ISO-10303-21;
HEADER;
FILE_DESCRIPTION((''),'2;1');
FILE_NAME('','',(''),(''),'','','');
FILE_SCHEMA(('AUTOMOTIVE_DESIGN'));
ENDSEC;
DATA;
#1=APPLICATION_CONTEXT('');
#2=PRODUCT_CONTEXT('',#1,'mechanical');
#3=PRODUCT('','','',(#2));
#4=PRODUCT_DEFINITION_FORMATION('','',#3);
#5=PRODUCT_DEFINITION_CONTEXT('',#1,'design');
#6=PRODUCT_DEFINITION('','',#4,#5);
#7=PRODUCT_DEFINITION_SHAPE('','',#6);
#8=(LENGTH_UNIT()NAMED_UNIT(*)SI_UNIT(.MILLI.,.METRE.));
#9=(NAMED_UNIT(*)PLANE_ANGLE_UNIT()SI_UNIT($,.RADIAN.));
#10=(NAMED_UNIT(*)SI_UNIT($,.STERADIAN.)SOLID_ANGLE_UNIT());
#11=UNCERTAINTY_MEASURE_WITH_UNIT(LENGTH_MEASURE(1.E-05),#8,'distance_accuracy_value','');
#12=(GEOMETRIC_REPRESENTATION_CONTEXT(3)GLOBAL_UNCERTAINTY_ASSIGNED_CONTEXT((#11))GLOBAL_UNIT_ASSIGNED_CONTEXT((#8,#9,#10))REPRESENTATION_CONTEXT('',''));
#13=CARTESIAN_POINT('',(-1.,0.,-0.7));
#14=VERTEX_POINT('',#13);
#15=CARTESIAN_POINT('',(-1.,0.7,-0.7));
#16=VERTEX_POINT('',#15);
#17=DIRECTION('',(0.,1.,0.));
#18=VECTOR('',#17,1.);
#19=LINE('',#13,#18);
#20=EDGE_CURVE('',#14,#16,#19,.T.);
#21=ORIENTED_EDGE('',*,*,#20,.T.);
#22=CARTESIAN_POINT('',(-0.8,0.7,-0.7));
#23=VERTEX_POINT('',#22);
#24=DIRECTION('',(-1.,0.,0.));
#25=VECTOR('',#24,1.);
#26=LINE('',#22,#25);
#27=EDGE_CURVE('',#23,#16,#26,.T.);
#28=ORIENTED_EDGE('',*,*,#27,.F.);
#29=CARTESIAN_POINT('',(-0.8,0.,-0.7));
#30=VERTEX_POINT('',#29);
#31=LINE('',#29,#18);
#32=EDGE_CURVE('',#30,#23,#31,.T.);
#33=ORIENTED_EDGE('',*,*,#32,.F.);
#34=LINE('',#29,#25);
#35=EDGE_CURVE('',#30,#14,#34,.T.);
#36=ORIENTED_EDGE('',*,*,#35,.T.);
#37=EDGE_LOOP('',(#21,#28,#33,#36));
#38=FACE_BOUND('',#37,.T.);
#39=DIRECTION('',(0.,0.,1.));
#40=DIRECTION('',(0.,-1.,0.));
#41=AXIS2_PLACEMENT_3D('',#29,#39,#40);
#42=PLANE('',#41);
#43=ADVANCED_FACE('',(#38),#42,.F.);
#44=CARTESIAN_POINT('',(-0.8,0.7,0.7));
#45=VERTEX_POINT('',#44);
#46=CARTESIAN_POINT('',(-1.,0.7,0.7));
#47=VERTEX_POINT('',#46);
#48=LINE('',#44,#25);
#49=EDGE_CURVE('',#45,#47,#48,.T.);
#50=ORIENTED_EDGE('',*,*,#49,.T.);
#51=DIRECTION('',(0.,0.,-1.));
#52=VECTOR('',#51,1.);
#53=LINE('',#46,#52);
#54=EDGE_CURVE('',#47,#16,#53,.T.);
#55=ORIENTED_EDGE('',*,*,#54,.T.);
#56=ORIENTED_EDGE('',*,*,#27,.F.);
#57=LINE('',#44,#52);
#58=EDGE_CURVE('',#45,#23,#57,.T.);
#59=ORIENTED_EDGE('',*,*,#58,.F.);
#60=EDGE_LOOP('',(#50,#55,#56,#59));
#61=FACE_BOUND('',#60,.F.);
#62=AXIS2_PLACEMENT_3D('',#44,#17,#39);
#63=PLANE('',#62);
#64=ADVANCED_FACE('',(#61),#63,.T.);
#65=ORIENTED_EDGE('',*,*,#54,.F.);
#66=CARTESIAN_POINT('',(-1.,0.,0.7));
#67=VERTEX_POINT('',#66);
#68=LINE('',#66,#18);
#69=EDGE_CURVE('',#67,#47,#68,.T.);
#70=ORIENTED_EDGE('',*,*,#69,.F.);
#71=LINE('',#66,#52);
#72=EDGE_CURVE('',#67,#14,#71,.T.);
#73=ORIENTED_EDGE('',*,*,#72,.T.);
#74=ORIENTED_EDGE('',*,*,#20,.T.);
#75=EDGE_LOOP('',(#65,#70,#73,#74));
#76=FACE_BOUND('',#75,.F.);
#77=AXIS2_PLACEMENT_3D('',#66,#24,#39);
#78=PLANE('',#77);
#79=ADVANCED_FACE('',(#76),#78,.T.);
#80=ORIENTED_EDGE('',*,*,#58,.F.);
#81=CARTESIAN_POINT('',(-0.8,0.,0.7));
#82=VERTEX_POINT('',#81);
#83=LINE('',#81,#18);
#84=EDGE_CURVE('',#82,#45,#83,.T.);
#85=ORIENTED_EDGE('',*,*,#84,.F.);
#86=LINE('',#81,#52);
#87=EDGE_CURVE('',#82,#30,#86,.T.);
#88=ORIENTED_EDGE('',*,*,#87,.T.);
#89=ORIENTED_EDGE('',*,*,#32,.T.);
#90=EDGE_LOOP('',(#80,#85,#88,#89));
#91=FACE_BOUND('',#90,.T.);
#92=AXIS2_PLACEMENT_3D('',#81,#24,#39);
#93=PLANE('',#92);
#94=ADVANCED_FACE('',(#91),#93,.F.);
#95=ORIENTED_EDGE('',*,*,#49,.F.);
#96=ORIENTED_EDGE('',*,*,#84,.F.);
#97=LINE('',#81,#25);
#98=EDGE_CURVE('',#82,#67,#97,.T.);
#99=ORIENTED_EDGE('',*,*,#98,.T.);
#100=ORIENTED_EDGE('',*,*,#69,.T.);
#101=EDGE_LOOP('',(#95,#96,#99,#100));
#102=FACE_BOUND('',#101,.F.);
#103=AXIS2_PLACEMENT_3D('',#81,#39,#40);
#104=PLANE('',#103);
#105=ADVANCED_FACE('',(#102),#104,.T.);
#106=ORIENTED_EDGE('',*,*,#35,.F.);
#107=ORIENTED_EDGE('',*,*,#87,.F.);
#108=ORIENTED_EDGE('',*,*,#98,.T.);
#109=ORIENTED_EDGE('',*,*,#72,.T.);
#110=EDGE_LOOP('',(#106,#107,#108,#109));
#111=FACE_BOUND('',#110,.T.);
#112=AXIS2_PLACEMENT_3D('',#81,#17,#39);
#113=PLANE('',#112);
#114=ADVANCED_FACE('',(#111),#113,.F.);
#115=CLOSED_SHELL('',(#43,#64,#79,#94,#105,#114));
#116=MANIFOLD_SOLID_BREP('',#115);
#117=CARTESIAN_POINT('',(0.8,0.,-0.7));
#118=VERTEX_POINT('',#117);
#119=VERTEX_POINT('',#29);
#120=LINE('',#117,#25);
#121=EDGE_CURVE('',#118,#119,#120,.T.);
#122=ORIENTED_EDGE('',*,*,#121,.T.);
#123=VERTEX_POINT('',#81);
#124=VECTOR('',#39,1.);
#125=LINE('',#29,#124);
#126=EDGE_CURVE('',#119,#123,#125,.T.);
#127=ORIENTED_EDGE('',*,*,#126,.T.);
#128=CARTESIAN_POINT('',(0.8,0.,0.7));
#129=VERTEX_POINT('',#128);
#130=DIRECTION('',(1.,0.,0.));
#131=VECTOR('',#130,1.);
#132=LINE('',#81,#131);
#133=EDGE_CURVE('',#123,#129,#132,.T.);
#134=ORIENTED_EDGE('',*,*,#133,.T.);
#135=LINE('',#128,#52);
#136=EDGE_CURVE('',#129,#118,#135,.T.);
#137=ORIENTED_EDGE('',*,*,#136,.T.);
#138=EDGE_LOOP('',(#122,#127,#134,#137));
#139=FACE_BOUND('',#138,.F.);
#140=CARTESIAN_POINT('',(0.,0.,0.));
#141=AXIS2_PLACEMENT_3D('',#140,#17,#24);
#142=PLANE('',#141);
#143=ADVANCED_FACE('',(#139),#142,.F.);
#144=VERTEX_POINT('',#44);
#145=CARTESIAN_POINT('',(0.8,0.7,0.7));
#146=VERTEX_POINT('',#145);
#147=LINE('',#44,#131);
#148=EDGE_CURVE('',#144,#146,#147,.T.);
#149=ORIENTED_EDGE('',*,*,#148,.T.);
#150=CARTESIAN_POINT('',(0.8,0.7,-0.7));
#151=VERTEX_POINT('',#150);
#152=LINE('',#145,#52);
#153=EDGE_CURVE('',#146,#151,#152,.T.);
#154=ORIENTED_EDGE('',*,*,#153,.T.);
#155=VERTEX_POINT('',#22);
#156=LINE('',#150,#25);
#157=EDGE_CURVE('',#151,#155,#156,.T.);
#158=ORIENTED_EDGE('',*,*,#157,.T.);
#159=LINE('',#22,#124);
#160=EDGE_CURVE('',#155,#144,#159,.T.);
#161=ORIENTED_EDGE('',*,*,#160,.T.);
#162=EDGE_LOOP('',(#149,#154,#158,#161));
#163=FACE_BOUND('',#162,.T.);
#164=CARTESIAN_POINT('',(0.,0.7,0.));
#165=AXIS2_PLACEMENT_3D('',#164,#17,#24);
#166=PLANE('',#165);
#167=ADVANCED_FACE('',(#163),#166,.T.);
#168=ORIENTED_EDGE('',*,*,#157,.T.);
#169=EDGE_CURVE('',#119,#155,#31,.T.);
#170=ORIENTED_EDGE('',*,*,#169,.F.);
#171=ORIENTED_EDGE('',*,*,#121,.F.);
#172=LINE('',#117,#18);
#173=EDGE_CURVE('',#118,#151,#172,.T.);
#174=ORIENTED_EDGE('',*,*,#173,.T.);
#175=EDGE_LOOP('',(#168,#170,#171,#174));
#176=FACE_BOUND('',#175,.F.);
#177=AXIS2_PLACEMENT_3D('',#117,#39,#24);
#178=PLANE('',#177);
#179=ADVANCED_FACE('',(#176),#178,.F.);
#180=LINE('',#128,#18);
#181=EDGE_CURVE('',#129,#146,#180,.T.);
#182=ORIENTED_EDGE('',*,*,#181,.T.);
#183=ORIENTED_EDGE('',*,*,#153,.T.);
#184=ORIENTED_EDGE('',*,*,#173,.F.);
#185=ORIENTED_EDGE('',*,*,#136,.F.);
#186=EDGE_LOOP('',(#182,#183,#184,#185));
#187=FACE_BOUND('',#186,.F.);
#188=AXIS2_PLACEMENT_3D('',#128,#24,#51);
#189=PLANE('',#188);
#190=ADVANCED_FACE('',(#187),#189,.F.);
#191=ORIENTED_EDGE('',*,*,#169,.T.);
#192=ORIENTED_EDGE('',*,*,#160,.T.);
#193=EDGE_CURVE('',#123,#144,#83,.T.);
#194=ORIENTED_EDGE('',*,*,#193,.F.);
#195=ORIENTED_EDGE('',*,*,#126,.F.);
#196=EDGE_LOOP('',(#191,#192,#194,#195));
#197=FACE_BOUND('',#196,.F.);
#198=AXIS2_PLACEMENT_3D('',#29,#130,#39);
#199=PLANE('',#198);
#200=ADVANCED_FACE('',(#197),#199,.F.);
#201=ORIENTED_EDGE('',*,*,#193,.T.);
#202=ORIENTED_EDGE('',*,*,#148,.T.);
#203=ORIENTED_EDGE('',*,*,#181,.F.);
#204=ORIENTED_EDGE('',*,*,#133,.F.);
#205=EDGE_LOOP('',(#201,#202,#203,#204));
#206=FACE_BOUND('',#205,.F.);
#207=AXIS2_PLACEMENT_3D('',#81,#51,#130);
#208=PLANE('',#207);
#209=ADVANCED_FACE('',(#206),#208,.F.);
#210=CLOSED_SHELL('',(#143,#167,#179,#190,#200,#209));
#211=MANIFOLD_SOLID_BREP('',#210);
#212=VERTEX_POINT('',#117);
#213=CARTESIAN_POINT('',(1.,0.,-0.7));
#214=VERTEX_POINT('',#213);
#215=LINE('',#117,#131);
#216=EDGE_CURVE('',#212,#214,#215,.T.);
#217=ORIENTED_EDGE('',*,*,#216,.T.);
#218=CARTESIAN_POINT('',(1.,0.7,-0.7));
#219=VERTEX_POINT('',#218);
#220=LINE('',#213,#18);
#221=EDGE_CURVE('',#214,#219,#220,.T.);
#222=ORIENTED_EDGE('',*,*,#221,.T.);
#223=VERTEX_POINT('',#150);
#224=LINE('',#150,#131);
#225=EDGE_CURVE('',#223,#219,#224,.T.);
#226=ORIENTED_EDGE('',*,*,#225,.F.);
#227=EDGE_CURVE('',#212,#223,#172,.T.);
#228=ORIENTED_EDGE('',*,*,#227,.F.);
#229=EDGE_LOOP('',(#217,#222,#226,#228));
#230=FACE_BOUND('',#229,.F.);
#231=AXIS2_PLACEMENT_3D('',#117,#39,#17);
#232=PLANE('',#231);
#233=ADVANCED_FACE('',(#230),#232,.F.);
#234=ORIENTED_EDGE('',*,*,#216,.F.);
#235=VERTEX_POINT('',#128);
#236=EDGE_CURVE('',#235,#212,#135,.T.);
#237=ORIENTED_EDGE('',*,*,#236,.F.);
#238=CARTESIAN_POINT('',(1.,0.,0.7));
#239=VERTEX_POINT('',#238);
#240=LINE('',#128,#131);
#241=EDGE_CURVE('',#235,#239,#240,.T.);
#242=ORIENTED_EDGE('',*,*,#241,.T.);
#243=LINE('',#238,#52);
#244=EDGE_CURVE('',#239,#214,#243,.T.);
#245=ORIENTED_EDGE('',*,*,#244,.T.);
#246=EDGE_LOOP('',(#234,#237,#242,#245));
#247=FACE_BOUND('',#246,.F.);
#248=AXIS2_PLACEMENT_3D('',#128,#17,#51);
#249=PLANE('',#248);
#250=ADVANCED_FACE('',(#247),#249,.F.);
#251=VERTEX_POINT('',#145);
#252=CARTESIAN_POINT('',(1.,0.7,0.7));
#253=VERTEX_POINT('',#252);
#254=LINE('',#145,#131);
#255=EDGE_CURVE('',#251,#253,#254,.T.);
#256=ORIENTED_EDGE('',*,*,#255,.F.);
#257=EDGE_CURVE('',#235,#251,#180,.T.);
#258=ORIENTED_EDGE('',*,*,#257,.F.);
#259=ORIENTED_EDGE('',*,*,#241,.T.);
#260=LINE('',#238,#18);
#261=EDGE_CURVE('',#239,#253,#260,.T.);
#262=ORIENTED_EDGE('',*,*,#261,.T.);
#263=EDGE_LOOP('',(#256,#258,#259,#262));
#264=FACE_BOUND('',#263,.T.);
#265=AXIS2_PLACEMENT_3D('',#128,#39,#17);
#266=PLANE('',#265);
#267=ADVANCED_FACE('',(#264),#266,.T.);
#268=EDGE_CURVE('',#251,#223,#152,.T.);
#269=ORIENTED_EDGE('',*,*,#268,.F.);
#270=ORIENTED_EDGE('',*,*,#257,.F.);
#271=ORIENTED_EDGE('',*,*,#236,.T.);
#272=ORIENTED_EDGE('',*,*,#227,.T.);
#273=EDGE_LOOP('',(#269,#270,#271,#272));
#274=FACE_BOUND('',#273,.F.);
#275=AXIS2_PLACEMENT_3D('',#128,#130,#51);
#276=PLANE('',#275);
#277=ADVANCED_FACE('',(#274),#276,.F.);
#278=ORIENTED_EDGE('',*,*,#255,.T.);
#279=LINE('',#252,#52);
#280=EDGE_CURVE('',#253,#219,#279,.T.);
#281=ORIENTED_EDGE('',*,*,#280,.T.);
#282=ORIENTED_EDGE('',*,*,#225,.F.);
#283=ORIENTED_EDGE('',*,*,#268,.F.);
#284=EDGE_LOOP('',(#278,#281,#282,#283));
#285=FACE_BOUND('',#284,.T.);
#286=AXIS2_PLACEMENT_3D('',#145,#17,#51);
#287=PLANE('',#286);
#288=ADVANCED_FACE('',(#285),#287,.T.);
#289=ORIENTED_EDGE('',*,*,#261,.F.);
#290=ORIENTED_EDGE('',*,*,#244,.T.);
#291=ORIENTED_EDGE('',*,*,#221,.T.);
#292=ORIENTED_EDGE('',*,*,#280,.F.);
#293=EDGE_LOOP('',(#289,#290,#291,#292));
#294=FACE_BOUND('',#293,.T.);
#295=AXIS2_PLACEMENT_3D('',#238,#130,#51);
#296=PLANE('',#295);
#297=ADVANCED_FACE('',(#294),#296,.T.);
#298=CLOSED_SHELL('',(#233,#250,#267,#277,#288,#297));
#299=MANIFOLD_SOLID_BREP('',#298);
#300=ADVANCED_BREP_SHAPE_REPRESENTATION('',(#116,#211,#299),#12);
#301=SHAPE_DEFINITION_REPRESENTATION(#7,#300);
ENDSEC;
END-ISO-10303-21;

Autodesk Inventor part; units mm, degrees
ref_plane "YZ Plane" through (0, 0, 0) normal (1, 0, 0) x (0, 1, 0)
ref_plane "XZ Plane" through (0, 0, 0) normal (0, 1, 0) x (-1, 0, 0)
ref_plane "XY Plane" through (0, 0, 0) normal (0, 0, 1) x (1, 0, 0)
sketch "Sketch1" plane through (0, 0, 0) normal (0, 1, 0) x (-1, 0, 0)
  line L0 (0.8, 0.7) -> (-0.8, 0.7)
  line L1 (-0.8, 0.7) -> (-0.8, -0.7)
  line L2 (-0.8, -0.7) -> (0.8, -0.7)
  line L3 (0.8, -0.7) -> (0.8, 0.7)
  line L4 (0.8, 0.7) -> (-0.8, -0.7) construction
  line L5 (-0.8, 0.7) -> (0.8, -0.7) construction
  point P0 (0, 0)
  dimension "d0" = 1.4
  dimension "d1" = 1.6
extrude "Extrusion1" add sketch "Sketch1" along normal blind 0.7
sketch "Sketch2" plane through (0.8, 0, 0.7) normal (1, 0, 0) x (0, 0, -1)
  line L0 (0, 0) -> (1.4, 0) projected
  line L1 (1.4, 0) -> (1.4, 0.7) projected
  line L2 (0, 0.7) -> (1.4, 0.7) projected
  line L3 (0, 0) -> (0, 0.7) projected
  point P0 (0.7, 0)
extrude "Extrusion2" add sketch "Sketch2" along normal blind 0.2 separate body
mirror "Mirror1" about plane through (0, 0, 0) normal (1, 0, 0) of "Extrusion2" bodies 2
sketch "Sketch3" plane through (0, 0.7, 0) normal (0, 1, 0) x (1, 0, 0)
  line L0 (-0.809, 0.2813) -> (2.4608, 0.2813) construction
  line L1 (2.4608, 0.2813) -> (2.4608, -0.6207) construction
  line L2 (2.4608, -0.6207) -> (-0.809, -0.6207) construction
  line L3 (-0.809, -0.6207) -> (-0.809, 0.2813) construction
  point P0 (0, 0)
